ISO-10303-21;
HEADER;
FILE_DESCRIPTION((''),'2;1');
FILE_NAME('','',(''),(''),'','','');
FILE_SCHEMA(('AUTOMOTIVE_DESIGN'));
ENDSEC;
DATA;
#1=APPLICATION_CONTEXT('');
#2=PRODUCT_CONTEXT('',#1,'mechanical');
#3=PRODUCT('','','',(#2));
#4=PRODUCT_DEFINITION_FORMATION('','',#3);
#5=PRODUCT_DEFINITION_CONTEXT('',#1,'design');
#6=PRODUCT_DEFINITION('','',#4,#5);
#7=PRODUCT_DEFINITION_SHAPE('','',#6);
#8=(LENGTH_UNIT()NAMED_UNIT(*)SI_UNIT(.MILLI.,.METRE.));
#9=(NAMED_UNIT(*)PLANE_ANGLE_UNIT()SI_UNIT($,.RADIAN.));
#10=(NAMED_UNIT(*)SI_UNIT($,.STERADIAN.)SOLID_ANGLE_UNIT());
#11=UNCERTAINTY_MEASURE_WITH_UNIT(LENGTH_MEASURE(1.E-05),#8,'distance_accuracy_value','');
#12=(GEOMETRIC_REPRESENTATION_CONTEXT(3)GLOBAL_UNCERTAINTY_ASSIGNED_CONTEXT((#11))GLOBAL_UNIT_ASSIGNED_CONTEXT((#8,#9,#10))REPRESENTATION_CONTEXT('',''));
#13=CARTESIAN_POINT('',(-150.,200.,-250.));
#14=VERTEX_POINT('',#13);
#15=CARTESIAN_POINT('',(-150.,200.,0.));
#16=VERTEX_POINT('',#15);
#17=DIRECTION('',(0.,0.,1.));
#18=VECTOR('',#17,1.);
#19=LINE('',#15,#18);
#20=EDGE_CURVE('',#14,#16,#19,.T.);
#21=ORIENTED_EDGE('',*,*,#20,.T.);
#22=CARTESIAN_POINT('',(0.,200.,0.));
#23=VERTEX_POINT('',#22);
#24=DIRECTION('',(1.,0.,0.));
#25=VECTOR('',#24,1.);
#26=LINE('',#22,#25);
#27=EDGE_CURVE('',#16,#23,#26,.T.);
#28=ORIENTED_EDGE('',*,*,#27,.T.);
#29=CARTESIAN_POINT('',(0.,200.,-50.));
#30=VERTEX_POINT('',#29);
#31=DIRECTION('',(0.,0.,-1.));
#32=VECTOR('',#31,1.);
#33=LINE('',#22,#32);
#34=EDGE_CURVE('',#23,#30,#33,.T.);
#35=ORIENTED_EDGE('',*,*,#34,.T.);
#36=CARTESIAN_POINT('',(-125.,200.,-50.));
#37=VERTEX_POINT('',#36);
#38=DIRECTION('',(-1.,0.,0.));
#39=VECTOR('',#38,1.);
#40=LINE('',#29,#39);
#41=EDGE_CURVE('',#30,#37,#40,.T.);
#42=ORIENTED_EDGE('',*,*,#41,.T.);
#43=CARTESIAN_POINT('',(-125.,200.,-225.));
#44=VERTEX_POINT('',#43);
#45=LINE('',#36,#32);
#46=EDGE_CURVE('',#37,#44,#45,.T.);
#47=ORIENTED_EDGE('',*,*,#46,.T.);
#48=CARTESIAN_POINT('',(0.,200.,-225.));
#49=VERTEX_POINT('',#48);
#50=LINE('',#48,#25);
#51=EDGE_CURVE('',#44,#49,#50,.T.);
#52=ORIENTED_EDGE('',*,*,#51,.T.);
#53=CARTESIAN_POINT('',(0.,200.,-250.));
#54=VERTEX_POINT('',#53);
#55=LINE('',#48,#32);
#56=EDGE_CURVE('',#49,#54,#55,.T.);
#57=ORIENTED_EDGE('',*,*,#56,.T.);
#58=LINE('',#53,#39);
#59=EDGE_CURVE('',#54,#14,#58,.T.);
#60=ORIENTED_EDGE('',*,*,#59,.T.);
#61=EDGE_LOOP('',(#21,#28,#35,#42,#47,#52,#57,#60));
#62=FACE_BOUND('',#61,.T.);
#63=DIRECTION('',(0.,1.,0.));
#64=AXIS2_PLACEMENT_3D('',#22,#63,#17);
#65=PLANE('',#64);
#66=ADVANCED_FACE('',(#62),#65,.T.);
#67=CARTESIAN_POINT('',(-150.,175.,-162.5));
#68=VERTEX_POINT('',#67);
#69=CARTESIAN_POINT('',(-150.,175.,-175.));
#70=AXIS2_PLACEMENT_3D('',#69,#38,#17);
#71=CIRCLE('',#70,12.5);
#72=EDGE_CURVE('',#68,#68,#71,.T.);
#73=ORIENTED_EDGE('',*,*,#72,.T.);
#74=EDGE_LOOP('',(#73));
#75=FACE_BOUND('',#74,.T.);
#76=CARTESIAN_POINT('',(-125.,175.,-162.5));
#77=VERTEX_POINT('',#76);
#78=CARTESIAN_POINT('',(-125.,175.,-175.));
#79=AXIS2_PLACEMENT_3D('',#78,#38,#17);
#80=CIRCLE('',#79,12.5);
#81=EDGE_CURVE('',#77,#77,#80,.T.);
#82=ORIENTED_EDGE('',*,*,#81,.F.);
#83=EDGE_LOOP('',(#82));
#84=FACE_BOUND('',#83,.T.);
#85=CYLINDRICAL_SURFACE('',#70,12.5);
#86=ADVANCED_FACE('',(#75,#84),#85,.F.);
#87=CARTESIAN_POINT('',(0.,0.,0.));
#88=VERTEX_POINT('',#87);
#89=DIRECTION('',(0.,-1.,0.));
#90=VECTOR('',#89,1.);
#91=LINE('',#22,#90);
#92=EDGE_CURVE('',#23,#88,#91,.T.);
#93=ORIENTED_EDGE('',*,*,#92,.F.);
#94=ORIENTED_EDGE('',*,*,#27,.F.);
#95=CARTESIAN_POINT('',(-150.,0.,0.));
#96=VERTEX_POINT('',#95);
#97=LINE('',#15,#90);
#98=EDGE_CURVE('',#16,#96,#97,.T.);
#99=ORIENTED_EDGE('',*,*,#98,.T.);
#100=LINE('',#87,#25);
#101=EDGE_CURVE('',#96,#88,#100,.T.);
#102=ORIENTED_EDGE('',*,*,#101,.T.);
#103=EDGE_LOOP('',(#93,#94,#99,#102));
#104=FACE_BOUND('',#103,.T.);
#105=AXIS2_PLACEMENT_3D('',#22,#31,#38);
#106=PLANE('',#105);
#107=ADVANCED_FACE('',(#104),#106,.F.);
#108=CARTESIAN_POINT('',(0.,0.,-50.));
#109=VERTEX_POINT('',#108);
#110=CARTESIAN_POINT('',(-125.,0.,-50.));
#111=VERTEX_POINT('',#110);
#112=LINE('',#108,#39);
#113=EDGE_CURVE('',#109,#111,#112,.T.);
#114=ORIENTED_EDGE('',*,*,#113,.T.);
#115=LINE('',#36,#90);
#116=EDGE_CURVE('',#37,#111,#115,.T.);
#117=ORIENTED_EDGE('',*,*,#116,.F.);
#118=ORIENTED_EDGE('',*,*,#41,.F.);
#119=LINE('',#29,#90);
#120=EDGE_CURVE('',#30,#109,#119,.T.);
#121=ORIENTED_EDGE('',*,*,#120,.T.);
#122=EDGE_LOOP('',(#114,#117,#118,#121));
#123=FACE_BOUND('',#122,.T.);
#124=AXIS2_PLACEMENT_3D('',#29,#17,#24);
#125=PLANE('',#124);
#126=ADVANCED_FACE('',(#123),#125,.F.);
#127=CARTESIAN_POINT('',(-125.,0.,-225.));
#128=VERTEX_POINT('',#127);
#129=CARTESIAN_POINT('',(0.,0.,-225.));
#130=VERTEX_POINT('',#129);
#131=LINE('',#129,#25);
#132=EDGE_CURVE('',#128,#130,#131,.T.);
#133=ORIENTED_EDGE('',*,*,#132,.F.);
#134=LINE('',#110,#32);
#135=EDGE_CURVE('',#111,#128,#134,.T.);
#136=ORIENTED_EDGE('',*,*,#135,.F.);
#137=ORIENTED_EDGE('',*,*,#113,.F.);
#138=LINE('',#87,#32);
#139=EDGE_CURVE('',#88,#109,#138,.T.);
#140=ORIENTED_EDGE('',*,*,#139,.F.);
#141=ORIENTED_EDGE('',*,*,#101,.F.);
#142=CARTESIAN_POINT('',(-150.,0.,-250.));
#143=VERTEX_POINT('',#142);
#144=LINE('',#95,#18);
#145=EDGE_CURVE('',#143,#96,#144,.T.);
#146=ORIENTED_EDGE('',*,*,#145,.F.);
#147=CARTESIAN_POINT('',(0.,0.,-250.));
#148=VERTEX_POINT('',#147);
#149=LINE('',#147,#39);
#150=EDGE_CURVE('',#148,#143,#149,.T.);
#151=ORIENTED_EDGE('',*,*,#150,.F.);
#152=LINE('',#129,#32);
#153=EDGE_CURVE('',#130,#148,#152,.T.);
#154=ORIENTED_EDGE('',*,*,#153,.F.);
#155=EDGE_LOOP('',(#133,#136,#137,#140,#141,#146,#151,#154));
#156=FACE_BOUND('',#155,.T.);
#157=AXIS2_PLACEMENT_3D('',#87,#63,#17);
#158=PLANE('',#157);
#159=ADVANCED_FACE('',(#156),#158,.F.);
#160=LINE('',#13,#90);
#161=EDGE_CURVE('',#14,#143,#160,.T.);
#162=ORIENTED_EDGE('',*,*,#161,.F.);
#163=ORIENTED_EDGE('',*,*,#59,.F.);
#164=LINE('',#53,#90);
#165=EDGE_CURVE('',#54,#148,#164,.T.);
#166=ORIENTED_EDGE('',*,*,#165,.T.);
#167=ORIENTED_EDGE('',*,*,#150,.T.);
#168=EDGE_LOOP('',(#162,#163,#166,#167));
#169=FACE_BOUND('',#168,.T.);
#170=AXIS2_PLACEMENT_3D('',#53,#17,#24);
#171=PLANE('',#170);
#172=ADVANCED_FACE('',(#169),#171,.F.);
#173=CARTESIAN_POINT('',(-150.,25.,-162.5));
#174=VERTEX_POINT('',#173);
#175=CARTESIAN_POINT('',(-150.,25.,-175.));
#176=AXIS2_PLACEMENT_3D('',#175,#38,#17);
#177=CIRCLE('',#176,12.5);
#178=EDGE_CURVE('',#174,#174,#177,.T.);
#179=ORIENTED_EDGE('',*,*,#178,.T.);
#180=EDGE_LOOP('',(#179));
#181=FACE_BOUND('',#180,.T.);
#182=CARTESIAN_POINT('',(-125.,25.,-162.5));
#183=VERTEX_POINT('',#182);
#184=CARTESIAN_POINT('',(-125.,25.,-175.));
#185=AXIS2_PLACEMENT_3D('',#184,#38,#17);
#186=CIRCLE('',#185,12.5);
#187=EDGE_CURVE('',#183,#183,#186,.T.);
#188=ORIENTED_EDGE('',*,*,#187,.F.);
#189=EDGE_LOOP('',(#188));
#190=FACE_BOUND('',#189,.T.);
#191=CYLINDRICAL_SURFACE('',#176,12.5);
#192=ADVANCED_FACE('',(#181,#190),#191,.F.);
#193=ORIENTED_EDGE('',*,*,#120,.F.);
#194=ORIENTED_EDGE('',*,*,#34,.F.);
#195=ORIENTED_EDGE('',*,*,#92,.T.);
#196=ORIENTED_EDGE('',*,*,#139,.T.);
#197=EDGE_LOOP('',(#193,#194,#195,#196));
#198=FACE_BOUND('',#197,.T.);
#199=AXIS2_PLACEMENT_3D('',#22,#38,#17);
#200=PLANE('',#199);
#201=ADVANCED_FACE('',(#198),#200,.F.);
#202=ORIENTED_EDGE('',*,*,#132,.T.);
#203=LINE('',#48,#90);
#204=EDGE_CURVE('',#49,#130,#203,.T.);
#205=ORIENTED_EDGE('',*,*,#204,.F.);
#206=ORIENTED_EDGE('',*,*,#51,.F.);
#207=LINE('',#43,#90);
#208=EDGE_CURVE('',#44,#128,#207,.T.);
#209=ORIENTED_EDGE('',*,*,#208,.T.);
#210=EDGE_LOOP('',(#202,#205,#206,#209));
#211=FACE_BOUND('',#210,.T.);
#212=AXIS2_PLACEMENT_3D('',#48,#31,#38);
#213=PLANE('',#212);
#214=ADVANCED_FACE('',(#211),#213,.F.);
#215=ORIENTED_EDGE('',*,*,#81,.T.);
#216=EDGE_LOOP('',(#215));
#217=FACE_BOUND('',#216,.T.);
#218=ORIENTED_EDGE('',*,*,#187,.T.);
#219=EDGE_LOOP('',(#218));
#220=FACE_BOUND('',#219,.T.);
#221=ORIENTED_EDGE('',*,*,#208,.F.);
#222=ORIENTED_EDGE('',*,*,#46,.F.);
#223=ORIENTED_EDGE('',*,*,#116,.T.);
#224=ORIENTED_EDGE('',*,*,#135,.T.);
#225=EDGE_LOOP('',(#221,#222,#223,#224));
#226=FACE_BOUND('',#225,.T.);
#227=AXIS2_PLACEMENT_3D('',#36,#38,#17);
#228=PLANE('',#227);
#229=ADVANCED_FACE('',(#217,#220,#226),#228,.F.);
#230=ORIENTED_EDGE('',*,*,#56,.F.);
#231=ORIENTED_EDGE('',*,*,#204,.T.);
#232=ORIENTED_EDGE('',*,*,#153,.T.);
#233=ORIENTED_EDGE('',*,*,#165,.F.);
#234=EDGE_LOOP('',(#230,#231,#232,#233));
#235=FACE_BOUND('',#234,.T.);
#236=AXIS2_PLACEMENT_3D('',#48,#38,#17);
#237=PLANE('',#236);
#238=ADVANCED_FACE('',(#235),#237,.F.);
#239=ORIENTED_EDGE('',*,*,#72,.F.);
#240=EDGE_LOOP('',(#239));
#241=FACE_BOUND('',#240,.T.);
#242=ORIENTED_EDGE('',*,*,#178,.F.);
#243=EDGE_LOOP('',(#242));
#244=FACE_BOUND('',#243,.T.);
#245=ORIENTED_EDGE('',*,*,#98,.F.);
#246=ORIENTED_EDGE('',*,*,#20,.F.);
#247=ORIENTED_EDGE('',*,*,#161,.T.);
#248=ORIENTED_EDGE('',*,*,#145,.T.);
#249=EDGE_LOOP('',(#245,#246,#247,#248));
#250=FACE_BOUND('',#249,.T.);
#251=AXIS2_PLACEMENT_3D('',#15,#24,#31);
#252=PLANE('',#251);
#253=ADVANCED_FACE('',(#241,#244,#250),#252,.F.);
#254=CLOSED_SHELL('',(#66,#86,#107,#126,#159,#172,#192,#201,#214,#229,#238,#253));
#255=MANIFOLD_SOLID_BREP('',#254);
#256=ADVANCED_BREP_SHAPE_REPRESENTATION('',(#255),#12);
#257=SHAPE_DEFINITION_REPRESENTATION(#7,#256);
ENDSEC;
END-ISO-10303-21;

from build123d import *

# Parameters (mm, degrees)
BOSS_EXTRUDE1_DEPTH = 200
HOLE1_D             = 25


with BuildPart() as part:
    # Sketch1 → Boss-Extrude1 (new body)
    with BuildSketch(Plane(origin=(0, 0, 0), x_dir=(1, 0, 0), z_dir=(0, 1, 0))):
        Polygon((0, 225), (0, 250), (-150, 250), (-150, 0), (0, 0), (0, 50), (-125, 50), (-125, 225), align=None)
    extrude(amount=BOSS_EXTRUDE1_DEPTH)

    # Hole1 (through all)
    with Locations(Plane(origin=(-150, 175, -175), x_dir=(0, 0, -1), z_dir=(-1, 0, 0))):
        with Locations((0, 0), (0, 150)):
            Hole(HOLE1_D / 2)


solid = part.part
